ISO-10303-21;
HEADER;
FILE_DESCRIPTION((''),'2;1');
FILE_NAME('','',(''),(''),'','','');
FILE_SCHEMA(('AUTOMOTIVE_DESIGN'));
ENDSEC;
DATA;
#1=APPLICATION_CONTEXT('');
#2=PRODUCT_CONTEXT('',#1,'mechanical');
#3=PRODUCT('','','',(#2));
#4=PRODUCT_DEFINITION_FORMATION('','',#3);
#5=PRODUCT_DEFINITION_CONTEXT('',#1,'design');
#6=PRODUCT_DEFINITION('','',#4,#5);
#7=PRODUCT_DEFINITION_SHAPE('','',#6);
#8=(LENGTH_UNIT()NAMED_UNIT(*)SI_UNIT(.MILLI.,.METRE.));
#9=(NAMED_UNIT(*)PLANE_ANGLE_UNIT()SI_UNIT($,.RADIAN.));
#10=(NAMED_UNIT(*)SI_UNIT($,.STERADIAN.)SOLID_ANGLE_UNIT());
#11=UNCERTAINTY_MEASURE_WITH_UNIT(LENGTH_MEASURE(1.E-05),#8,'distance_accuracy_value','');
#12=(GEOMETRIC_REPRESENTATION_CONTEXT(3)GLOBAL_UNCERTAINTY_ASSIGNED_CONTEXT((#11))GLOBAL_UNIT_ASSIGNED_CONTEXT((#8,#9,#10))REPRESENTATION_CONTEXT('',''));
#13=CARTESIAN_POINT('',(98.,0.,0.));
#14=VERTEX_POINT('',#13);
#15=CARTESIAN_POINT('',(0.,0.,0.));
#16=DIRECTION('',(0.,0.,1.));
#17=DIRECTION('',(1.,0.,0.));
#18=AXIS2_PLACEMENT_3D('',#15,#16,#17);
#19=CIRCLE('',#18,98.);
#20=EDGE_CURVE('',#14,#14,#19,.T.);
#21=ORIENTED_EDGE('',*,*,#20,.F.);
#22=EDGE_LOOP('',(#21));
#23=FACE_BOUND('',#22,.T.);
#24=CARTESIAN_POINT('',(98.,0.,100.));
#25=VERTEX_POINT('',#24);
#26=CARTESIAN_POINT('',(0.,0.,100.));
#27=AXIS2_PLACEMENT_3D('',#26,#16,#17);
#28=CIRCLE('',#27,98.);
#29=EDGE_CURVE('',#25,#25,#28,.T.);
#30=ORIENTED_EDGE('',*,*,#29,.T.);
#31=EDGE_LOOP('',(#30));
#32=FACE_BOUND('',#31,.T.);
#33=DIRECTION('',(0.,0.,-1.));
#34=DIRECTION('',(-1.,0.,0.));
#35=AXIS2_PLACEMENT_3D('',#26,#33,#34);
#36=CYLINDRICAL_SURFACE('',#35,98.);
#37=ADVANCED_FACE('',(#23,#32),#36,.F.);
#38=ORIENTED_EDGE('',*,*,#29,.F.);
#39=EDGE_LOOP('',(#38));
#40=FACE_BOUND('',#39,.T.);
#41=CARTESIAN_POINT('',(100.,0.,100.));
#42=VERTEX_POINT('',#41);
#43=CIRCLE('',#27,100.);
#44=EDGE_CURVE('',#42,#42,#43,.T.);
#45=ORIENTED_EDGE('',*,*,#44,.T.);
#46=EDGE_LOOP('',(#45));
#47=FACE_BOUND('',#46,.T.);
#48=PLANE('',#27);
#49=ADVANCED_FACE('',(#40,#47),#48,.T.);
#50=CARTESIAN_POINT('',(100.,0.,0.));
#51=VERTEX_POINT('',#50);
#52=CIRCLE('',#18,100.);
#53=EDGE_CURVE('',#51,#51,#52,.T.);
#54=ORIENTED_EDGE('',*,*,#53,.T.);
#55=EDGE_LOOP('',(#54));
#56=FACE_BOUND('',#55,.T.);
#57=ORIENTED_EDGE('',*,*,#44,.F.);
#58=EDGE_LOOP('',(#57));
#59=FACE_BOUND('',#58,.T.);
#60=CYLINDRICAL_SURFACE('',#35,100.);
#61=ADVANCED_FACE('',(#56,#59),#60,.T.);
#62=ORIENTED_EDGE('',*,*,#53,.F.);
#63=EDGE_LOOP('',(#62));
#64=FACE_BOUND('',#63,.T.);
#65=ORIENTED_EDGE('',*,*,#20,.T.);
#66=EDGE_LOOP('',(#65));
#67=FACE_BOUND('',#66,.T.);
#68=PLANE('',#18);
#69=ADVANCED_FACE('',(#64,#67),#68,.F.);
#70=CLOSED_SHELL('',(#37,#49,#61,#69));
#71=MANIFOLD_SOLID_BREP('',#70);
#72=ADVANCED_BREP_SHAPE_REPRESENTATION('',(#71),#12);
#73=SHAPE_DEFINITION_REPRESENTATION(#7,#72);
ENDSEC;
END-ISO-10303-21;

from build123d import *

# Parameters (mm, degrees)
SKETCH_1_R      = 100
SKETCH_1_R_2    = 98
EXTRUDE_1_DEPTH = 100


with BuildPart() as part:
    # 草图1 → 凸台-拉伸1 (new body)
    with BuildSketch(Plane.XY):
        Circle(SKETCH_1_R)
        Circle(SKETCH_1_R_2, mode=Mode.SUBTRACT)
    extrude(amount=EXTRUDE_1_DEPTH)


solid = part.part
